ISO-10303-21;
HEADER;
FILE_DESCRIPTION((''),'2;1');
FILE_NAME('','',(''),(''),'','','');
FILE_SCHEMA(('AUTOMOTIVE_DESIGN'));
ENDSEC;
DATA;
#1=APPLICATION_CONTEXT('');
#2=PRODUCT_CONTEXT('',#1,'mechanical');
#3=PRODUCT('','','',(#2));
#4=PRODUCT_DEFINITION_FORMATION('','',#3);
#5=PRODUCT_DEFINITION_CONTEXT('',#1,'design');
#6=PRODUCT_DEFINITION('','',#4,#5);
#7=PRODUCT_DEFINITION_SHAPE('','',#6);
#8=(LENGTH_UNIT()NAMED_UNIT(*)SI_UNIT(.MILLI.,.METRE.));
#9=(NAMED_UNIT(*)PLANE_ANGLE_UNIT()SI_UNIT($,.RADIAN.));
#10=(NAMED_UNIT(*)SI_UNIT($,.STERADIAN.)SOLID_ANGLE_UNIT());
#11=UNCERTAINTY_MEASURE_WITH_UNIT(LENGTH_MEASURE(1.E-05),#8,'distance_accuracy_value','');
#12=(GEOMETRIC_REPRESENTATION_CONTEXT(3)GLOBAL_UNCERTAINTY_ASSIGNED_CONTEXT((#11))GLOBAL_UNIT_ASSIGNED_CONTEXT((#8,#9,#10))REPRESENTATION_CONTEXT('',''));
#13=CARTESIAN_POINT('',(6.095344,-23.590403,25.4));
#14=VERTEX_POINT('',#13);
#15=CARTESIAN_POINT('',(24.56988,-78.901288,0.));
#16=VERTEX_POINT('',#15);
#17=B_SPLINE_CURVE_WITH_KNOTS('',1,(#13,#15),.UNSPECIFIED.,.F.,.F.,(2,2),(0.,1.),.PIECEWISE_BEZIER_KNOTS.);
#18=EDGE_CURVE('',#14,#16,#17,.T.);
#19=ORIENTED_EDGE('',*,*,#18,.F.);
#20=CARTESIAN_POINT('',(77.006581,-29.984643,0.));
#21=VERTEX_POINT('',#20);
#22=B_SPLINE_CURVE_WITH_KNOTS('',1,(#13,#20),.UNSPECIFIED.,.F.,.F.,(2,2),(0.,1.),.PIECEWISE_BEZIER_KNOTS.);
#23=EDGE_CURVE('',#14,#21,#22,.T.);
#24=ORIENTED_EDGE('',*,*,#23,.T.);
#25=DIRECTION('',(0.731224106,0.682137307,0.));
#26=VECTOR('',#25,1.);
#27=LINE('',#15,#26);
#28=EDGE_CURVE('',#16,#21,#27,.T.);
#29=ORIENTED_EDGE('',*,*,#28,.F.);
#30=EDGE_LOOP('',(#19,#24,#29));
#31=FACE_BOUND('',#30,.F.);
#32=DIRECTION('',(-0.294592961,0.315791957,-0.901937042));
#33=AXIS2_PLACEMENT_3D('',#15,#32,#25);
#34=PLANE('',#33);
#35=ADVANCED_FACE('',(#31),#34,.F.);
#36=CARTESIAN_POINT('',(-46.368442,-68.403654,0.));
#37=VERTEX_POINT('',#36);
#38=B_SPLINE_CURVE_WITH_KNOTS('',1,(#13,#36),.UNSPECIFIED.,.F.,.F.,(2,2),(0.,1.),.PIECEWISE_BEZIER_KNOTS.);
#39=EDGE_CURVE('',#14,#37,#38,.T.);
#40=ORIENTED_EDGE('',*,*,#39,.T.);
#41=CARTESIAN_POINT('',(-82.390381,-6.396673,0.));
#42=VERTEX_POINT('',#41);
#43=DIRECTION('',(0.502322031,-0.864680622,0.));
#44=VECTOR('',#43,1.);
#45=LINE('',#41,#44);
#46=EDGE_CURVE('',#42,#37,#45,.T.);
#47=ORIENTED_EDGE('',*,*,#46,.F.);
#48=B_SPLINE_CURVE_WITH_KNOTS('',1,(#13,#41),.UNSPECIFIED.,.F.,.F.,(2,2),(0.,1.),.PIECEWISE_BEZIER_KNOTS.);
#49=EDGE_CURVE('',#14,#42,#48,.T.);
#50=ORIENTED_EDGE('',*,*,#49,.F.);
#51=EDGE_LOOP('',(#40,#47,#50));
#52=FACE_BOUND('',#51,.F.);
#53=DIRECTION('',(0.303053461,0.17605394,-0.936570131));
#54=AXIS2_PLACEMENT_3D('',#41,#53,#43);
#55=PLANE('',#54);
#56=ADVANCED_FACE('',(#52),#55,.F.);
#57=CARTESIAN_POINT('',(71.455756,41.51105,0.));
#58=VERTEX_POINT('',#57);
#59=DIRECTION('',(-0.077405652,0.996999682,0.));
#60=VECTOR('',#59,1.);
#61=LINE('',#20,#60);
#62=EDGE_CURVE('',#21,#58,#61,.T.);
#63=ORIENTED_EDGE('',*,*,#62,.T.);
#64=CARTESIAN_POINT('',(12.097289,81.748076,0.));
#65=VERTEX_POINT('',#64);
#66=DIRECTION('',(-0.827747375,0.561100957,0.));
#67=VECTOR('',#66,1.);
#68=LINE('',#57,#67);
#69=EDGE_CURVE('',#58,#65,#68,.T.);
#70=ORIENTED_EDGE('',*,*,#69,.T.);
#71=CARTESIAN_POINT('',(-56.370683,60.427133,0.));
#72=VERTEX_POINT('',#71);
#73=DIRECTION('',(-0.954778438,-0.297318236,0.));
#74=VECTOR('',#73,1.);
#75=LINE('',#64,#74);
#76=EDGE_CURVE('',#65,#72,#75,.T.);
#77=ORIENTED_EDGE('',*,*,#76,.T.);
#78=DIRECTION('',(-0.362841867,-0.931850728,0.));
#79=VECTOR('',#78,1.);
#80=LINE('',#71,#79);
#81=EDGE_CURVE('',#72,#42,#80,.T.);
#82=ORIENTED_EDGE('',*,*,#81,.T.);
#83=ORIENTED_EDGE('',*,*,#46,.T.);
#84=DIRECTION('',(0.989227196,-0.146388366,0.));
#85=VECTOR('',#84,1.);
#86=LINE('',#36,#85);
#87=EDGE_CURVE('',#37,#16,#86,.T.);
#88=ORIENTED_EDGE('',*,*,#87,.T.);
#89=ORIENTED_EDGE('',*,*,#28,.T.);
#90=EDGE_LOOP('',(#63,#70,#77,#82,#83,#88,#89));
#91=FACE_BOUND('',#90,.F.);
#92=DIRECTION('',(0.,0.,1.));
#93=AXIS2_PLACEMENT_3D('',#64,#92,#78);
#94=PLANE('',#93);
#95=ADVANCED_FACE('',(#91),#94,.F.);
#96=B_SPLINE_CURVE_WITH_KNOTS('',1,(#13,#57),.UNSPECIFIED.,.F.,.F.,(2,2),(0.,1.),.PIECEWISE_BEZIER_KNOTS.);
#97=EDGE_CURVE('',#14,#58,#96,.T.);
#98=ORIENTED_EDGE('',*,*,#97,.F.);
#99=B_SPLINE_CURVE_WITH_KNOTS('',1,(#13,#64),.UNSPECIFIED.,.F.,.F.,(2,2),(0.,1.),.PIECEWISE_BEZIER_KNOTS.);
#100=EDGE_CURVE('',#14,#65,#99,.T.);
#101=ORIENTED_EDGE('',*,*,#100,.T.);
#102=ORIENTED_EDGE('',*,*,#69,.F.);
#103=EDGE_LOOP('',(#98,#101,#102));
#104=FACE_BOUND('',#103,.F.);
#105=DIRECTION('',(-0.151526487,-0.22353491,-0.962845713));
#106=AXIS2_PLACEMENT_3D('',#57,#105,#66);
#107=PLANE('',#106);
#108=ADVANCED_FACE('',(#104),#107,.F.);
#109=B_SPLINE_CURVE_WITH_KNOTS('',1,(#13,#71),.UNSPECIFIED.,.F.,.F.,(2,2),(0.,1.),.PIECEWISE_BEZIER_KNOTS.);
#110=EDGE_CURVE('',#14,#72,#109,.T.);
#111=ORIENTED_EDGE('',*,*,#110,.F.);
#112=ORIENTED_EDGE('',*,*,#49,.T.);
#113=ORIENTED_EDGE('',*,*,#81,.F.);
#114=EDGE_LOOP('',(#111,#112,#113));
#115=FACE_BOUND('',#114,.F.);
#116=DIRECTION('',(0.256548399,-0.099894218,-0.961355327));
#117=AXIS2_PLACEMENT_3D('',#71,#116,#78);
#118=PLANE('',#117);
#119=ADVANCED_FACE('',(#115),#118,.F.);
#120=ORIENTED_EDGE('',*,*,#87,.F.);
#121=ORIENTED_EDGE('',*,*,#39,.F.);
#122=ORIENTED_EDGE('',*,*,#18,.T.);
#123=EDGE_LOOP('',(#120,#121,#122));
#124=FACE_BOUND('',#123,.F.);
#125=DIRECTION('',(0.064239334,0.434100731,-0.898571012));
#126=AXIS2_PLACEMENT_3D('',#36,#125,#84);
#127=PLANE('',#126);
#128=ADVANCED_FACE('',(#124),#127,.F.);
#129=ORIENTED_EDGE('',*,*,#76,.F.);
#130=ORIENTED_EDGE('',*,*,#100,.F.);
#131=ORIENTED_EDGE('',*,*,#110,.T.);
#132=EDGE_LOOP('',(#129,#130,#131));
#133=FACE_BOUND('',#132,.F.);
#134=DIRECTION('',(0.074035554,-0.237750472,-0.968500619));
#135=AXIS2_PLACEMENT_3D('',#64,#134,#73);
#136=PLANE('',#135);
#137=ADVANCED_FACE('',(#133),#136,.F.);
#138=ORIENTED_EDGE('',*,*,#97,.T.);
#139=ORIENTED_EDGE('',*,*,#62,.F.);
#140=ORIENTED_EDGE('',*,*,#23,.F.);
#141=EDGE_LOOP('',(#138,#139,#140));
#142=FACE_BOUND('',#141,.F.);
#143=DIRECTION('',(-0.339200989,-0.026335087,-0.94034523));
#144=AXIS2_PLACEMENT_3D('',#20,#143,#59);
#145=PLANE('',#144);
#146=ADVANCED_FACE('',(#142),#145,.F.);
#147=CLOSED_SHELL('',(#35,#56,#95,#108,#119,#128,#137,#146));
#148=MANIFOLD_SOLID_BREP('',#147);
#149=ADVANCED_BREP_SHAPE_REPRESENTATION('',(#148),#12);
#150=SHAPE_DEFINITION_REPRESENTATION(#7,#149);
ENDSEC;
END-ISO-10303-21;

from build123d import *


with BuildPart() as f3:
    # F0 (on Top) → F3 section 0
    with BuildSketch(Plane.XY, mode=Mode.PRIVATE) as f3_s0:
        Polygon((12.097289, 81.748076), (-56.370683, 60.427133), (-82.390381, -6.396673), (-46.368442, -68.403654), (24.56988, -78.901288), (77.006581, -29.984643), (71.455756, 41.51105), align=None)
    loft([Vertex(6.095344, -23.590403, 25.4), f3_s0.sketch])


solid = f3.part
